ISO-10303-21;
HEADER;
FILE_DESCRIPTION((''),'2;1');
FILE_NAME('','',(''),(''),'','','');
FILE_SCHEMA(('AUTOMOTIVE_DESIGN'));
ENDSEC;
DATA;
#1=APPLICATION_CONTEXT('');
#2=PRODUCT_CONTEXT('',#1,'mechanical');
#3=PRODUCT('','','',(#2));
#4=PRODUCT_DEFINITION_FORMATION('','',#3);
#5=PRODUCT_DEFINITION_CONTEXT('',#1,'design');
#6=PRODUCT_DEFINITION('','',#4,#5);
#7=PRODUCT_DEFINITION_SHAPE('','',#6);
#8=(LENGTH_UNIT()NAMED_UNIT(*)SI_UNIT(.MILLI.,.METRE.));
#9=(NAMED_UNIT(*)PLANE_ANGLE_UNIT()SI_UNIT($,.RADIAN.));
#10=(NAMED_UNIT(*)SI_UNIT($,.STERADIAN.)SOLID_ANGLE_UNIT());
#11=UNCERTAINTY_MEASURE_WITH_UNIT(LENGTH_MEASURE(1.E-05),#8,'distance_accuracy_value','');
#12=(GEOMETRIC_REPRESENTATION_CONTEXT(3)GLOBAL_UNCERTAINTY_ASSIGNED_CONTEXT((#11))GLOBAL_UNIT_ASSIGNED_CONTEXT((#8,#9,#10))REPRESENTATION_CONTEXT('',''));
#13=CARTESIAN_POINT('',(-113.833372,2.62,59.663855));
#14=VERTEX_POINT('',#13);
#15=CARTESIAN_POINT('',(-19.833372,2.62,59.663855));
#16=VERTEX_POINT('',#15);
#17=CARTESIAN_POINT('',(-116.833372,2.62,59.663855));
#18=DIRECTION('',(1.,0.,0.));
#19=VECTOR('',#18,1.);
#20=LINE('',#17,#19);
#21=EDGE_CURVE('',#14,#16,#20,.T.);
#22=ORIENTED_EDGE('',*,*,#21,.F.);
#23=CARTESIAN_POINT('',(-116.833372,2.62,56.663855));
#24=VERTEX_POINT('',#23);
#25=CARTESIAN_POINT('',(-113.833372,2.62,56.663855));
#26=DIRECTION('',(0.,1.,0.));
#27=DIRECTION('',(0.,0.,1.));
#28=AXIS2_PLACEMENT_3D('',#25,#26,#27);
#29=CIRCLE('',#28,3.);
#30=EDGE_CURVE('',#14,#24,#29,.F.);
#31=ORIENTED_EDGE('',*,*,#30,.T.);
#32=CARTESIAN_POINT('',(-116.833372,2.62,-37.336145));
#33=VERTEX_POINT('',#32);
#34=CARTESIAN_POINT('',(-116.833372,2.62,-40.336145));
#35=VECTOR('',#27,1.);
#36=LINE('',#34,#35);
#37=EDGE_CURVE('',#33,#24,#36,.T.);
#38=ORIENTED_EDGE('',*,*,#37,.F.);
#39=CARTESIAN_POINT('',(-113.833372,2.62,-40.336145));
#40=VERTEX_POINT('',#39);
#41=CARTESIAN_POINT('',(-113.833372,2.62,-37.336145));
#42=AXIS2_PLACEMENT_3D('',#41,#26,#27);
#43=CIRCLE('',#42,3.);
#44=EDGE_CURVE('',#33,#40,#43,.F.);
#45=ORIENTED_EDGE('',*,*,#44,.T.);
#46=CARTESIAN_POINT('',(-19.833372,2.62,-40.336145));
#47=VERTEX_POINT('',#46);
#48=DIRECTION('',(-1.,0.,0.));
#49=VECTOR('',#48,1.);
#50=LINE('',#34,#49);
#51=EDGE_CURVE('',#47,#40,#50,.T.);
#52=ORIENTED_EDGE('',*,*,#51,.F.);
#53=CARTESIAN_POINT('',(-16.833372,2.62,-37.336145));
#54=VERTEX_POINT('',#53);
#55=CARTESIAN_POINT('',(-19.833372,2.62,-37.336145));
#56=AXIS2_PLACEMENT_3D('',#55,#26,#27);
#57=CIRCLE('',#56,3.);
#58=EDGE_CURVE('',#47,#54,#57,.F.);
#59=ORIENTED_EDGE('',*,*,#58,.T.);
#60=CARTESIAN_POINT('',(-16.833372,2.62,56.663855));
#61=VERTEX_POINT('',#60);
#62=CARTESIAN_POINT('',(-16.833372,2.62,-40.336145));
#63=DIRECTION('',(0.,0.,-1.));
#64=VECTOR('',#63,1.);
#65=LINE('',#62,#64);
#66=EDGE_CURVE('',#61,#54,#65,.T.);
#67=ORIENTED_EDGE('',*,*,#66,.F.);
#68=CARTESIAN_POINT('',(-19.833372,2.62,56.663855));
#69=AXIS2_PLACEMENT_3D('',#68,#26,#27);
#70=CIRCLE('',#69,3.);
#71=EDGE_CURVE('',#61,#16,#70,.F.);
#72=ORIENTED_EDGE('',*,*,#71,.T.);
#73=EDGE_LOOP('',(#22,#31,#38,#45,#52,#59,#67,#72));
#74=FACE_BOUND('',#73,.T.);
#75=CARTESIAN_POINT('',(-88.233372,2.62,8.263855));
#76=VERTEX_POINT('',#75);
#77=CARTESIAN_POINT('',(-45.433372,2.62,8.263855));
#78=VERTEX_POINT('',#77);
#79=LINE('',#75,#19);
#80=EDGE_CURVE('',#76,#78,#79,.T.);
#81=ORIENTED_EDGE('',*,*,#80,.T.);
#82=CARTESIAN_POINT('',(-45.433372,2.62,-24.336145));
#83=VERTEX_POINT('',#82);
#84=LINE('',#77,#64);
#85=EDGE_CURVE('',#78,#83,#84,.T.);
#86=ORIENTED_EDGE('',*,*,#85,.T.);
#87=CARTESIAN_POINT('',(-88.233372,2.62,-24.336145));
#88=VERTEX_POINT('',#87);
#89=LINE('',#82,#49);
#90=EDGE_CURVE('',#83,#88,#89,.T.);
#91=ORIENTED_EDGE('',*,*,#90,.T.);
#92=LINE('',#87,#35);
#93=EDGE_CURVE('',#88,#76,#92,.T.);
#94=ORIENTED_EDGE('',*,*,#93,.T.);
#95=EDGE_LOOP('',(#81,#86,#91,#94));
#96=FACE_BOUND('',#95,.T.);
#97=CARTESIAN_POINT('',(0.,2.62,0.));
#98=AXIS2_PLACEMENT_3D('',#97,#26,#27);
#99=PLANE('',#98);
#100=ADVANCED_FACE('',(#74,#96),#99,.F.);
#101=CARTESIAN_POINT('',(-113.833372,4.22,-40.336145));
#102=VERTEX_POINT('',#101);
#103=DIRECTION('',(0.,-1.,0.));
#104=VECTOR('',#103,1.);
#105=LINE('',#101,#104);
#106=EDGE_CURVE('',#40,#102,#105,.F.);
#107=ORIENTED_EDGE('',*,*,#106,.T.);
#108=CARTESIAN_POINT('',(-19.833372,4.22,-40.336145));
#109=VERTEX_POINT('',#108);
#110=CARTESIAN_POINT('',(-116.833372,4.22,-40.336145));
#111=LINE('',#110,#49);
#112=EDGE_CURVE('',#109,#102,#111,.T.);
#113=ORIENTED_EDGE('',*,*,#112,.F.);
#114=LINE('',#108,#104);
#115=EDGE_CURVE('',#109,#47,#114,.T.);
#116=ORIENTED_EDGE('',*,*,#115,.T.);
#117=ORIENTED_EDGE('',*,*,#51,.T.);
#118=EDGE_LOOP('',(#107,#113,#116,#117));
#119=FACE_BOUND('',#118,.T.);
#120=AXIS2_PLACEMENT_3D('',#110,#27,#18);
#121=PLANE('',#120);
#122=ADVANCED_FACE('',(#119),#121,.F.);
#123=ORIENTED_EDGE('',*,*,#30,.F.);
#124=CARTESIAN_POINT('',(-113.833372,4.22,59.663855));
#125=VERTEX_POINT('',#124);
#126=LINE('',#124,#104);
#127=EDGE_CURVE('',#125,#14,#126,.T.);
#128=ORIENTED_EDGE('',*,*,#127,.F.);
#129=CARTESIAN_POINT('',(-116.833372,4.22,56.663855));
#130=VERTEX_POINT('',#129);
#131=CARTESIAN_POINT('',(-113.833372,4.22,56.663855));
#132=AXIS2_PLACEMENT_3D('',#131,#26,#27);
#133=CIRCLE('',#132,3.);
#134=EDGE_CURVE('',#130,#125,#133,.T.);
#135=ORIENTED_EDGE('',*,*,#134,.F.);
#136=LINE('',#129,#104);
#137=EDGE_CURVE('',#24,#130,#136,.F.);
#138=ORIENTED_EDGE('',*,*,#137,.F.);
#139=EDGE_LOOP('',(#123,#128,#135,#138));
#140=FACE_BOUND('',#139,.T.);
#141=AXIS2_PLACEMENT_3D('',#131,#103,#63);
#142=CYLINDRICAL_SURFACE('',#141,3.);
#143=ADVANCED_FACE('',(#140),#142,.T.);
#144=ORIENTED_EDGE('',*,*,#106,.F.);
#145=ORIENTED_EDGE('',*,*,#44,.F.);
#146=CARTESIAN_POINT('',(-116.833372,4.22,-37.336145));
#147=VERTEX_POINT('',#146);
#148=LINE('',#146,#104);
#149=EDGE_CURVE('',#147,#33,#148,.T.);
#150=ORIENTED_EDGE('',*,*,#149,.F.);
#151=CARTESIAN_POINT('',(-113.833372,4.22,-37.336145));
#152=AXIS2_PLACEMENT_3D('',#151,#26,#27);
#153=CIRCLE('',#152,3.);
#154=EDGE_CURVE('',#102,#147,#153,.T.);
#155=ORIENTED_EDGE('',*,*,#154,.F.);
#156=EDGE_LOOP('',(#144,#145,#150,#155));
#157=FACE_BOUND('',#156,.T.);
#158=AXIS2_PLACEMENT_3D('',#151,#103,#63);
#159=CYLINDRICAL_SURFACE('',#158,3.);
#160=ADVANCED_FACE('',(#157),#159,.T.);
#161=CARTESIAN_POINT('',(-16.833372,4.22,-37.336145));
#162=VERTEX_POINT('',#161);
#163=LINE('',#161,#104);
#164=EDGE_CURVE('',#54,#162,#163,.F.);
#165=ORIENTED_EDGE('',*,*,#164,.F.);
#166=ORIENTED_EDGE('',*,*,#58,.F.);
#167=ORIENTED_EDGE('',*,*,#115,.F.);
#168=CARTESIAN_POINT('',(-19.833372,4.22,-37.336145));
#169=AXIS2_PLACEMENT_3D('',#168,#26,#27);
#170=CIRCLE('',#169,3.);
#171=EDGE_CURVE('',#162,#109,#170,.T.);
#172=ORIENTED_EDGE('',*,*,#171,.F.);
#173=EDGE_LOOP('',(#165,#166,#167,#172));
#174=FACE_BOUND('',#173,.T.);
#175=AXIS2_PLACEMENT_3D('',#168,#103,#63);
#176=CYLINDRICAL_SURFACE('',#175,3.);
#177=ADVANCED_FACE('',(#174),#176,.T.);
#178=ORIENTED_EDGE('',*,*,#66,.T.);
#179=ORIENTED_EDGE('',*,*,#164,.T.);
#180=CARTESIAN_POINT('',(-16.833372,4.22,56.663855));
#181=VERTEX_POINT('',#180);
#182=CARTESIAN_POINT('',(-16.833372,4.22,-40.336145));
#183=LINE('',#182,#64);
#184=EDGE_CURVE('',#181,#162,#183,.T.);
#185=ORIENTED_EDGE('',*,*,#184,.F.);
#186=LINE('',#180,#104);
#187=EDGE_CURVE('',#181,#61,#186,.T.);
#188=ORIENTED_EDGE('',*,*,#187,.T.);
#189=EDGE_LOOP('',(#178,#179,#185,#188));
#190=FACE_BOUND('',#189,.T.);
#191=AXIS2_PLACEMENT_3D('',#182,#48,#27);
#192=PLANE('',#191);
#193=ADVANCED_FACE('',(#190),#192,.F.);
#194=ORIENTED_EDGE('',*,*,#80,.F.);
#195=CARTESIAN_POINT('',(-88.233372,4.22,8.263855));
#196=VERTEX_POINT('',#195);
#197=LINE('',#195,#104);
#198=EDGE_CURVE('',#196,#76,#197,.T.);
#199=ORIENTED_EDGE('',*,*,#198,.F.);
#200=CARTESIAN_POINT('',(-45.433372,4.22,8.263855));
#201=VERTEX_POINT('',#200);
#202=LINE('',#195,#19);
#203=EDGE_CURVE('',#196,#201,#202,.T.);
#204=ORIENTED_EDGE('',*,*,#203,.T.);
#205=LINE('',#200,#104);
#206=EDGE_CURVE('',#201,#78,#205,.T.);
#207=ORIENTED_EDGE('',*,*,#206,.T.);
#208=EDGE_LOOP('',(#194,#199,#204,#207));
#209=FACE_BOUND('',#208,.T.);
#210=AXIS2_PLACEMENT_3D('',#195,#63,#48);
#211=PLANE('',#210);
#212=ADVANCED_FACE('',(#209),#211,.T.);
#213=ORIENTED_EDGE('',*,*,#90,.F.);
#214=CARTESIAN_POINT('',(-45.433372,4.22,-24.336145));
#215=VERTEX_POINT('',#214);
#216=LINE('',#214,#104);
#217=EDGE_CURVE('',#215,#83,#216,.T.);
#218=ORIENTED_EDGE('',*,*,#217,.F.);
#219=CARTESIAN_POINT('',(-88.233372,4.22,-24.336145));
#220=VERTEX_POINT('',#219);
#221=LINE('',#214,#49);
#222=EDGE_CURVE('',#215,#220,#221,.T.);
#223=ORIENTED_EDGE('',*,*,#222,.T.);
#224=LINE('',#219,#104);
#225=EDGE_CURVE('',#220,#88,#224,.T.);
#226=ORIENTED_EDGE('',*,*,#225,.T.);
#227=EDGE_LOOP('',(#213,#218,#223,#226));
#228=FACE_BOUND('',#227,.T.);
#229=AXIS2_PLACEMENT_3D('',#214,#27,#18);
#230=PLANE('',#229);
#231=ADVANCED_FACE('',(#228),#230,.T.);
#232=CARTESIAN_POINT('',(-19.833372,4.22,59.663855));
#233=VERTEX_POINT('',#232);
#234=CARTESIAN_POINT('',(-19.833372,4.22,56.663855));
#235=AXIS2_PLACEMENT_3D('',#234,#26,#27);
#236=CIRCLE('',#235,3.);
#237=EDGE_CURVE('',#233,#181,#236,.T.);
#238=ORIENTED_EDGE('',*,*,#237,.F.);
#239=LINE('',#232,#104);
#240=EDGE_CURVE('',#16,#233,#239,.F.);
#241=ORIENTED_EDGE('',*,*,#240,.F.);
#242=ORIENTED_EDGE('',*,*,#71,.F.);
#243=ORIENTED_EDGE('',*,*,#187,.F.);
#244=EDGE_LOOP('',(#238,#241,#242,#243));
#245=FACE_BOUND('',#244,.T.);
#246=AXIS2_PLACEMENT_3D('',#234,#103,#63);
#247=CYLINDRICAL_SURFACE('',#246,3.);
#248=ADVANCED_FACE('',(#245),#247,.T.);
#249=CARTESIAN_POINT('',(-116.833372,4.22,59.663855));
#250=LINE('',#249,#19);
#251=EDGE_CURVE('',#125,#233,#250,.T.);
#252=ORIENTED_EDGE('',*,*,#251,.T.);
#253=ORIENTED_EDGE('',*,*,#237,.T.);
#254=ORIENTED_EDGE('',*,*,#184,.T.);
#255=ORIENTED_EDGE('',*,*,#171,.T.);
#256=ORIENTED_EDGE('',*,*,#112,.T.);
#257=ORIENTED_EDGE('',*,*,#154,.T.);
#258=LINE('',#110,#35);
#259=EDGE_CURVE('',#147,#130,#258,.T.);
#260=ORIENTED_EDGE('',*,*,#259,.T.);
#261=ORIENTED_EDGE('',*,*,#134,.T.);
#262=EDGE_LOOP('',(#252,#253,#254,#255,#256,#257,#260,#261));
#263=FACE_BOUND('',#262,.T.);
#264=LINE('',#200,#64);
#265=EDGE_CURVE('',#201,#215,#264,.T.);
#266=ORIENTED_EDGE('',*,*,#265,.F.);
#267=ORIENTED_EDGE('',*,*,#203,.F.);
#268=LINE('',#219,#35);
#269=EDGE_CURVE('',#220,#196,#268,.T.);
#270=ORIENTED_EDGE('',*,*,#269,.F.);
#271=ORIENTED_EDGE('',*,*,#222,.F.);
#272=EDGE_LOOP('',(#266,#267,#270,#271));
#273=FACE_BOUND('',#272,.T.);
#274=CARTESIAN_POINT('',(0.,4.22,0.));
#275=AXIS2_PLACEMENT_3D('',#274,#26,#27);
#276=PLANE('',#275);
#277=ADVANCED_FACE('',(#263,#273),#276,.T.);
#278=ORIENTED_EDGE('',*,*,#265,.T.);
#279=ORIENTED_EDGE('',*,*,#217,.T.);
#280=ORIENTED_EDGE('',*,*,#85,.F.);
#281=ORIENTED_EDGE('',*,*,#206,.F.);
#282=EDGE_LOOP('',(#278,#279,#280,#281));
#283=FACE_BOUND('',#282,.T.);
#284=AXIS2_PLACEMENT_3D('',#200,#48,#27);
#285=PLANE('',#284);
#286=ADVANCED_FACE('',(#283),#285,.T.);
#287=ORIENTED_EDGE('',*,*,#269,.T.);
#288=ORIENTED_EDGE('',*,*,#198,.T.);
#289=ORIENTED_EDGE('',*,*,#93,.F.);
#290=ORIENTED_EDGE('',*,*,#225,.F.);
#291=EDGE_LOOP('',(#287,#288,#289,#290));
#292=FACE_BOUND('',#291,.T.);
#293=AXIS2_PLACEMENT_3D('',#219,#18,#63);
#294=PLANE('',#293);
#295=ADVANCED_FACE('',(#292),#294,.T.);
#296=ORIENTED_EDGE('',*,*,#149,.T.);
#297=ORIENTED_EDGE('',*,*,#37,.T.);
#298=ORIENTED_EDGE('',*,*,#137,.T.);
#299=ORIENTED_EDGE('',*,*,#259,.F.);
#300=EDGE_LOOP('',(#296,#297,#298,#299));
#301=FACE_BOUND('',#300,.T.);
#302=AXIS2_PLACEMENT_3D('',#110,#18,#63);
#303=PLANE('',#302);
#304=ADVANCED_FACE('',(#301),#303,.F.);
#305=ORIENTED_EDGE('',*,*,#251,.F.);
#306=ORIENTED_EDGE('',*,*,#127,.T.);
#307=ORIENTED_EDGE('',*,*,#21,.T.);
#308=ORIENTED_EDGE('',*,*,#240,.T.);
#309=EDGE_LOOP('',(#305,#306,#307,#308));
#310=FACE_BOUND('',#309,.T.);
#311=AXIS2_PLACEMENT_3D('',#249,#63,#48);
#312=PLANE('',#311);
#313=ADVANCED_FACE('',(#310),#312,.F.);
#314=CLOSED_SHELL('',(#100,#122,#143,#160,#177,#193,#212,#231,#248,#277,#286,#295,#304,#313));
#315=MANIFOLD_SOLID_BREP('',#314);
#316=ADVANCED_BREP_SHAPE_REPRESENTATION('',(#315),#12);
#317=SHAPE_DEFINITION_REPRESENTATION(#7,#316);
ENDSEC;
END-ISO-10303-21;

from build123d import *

# Parameters (mm, degrees)
SKETCH1_W           = 100
SKETCH1_H           = 100
SKETCH1_W_2         = 42.8
SKETCH1_H_2         = 32.6
BOSS_EXTRUDE1_DEPTH = 1.6
FILLET1_R           = 3


with BuildPart() as part:
    # Sketch1 → Boss-Extrude1 (new body)
    with BuildSketch(Plane(origin=(0, 2.62, 0), x_dir=(1, 0, 0), z_dir=(0, 1, 0))):
        with Locations((-66.833372467, -9.663854707)):
            Rectangle(SKETCH1_W, SKETCH1_H)
        with Locations((-66.833372467, 8.036145293)):
            Rectangle(SKETCH1_W_2, SKETCH1_H_2, mode=Mode.SUBTRACT)
    extrude(amount=BOSS_EXTRUDE1_DEPTH)

    # Fillet1
    fillet1_edges = [part.edges().sort_by_distance(p)[0] for p in [
        (-116.833372467, 3.42, -40.336145293),
        (-16.833372467, 3.42, -40.336145293),
        (-16.833372467, 3.42, 59.663854707),
        (-116.833372467, 3.42, 59.663854707),
    ]]
    fillet(fillet1_edges, radius=FILLET1_R)


solid = part.part
